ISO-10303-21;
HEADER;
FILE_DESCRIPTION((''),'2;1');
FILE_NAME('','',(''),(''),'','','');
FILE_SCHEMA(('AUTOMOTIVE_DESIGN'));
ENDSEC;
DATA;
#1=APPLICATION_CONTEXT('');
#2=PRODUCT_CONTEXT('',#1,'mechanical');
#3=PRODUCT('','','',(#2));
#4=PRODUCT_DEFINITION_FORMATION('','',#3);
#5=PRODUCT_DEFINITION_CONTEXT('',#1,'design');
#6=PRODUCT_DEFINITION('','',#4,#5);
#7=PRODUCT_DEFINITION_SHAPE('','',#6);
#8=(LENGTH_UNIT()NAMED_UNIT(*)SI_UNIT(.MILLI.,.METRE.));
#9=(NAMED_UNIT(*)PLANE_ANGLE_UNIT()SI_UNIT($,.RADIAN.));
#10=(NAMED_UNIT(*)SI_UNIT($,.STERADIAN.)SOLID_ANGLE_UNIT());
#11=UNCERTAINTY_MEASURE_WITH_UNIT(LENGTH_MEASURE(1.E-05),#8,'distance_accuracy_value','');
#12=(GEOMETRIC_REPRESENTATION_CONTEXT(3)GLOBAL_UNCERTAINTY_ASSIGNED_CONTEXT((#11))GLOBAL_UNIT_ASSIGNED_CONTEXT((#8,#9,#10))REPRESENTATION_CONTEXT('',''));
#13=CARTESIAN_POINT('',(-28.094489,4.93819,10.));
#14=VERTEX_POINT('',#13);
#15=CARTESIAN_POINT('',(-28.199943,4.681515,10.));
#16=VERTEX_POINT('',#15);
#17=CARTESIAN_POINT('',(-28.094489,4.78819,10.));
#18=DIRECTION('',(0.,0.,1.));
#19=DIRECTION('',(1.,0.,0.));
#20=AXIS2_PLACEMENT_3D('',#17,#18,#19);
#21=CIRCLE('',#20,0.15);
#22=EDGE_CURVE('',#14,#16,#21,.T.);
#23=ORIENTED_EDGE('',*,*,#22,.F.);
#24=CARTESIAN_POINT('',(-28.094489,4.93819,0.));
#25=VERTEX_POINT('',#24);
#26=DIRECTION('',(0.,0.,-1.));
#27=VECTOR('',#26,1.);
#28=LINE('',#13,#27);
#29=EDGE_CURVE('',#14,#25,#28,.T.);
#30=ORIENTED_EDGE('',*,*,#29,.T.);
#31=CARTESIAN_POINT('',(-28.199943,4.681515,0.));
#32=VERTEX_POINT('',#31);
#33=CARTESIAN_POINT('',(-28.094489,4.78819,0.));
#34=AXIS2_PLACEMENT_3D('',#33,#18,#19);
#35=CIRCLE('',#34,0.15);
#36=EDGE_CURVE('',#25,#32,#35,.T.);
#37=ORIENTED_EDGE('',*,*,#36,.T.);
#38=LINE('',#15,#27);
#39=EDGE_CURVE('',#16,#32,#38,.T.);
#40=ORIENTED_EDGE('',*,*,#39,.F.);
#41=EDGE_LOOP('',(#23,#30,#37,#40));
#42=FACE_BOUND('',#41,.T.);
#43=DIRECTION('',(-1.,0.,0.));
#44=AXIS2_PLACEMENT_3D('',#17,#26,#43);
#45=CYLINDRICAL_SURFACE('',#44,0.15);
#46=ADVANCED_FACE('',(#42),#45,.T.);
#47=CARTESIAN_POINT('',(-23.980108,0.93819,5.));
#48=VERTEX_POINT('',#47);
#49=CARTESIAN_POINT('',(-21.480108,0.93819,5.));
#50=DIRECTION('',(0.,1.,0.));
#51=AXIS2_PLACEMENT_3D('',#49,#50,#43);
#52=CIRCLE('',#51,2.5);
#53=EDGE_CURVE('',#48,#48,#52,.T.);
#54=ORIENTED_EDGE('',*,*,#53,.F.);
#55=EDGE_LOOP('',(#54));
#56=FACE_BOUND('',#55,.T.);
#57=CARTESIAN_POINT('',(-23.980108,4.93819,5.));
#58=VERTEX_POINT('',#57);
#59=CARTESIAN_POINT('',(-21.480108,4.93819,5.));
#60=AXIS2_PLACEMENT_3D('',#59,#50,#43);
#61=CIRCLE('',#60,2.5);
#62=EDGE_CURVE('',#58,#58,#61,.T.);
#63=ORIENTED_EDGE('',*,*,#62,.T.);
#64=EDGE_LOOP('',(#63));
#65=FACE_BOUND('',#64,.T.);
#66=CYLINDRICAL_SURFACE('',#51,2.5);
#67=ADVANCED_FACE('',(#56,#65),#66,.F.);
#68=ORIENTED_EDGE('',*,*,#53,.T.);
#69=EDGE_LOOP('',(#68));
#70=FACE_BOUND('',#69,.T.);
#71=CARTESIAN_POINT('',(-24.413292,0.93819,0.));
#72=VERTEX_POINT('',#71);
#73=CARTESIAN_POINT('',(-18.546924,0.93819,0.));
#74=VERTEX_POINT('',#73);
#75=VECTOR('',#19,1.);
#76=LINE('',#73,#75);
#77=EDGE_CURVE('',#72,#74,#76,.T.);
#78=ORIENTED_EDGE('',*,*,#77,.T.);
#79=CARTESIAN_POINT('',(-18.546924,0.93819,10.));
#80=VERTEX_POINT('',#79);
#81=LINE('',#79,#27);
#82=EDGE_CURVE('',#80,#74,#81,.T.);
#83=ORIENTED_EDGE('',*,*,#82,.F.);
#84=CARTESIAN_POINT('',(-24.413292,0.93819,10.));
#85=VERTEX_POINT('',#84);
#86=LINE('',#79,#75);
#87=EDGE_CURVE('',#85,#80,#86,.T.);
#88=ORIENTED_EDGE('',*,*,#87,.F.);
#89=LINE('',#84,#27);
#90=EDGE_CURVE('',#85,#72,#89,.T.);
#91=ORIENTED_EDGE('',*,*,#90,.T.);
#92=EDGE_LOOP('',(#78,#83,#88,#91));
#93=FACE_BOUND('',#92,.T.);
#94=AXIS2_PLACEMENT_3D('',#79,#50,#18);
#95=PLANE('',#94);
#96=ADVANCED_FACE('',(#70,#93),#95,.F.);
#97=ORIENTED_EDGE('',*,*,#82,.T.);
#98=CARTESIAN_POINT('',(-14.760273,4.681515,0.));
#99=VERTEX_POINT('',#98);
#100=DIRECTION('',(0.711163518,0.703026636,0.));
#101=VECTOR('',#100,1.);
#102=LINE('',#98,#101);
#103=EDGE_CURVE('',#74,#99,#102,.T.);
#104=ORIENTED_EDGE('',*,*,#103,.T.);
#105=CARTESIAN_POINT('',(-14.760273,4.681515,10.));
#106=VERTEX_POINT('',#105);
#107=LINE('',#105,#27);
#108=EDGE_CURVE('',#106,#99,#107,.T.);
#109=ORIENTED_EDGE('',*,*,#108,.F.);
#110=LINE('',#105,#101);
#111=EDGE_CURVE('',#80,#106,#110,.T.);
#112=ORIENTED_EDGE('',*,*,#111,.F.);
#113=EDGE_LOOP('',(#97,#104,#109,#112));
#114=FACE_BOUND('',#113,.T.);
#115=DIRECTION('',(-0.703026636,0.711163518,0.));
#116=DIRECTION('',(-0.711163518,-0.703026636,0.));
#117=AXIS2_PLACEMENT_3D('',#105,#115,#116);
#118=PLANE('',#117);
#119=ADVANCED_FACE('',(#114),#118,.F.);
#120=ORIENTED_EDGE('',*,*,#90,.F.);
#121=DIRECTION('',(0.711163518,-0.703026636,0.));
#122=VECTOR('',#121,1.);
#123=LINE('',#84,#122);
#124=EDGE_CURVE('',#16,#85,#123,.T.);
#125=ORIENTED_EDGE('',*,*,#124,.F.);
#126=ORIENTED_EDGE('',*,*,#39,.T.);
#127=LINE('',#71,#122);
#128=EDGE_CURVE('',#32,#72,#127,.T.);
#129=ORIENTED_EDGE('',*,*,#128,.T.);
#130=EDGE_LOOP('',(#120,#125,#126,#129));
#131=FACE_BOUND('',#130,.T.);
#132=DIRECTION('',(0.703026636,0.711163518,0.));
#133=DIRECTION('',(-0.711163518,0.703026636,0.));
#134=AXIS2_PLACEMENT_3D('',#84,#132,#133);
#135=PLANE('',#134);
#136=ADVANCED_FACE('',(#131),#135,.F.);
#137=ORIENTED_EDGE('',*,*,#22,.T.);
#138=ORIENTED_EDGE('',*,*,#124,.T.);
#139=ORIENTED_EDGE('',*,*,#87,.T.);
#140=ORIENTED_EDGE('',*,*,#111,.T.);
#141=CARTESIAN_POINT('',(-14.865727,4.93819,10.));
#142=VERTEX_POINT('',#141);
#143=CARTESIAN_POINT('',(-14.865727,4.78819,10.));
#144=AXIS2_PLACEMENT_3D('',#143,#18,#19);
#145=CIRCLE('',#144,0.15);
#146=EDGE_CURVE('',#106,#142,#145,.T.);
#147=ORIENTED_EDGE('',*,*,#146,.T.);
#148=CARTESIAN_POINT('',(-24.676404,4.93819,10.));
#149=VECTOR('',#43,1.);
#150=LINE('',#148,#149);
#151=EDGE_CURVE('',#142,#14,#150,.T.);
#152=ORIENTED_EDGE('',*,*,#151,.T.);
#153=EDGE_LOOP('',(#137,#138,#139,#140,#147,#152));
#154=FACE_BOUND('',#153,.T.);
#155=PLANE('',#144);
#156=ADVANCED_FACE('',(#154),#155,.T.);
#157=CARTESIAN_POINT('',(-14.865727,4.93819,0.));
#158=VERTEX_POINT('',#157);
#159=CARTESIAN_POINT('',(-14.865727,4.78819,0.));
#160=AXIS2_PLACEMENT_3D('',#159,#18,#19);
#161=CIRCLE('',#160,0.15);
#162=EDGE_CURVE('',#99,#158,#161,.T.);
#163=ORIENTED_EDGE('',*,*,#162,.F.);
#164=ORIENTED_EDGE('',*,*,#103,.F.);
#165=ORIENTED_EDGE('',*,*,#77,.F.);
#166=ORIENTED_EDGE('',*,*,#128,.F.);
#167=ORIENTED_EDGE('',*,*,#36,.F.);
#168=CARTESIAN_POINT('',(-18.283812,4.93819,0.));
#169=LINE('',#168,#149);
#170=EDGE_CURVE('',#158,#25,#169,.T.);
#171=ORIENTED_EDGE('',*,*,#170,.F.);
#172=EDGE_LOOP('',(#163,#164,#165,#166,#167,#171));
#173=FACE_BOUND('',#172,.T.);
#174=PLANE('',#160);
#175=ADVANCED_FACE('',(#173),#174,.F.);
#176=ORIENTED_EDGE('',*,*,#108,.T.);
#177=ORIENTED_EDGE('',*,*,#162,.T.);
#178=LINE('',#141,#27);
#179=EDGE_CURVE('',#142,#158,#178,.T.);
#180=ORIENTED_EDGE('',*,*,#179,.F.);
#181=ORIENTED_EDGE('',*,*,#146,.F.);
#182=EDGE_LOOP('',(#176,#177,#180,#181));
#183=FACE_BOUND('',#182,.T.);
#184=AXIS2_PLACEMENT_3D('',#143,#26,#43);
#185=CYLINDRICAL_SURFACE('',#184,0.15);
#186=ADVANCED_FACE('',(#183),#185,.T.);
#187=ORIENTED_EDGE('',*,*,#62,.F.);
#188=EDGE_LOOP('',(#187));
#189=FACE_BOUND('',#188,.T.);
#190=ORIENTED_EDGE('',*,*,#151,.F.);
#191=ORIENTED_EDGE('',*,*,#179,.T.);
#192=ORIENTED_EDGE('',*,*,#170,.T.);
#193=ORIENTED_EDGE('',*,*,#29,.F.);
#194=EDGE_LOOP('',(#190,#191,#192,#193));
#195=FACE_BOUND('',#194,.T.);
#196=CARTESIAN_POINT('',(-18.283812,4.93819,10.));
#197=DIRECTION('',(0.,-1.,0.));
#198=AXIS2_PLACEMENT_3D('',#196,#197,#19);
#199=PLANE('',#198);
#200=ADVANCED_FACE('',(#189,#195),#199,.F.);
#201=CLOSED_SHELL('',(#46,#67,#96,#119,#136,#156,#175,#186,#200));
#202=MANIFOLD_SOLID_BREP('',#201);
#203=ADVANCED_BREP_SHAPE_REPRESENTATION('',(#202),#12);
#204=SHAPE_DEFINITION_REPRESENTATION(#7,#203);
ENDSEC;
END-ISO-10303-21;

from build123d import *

# Parameters (mm, degrees)
BOSS_EXTRUDE1_DEPTH = 10
SKETCH2_R           = 2.5
CUT_EXTRUDE1_DEPTH  = 31.22831719


with BuildPart() as part:
    # Sketch1 → Boss-Extrude1 (new body)
    with BuildSketch(Plane.XY):
        with BuildLine():
            Line((-18.283811633, 4.93818979), (-14.865726836, 4.93818979))
            ThreePointArc((-14.865726836, 4.93818979), (-14.726980342, 4.84519339), (-14.760272841, 4.681515262))
            Line((-14.760272841, 4.681515262), (-18.546923839, 0.93818979))
            Line((-18.546923839, 0.93818979), (-24.41329202, 0.93818979))
            Line((-24.41329202, 0.93818979), (-28.199943018, 4.681515262))
            ThreePointArc((-28.199943018, 4.681515262), (-28.233235517, 4.84519339), (-28.094489023, 4.93818979))
            Line((-28.094489023, 4.93818979), (-24.676404226, 4.93818979))
            Line((-24.676404226, 4.93818979), (-18.283811633, 4.93818979))
        make_face()
    extrude(amount=BOSS_EXTRUDE1_DEPTH)

    # Sketch2 → Cut-Extrude1 (cut, through all)
    with BuildSketch(Plane(origin=(0, 4.93818979, 0), x_dir=(1, 0, 0), z_dir=(0, 1, 0))):
        with Locations(Location((-21.480107929, -5, 0), (0, 0, 180))):
            Circle(SKETCH2_R)
    extrude(amount=-CUT_EXTRUDE1_DEPTH, mode=Mode.SUBTRACT)


solid = part.part
